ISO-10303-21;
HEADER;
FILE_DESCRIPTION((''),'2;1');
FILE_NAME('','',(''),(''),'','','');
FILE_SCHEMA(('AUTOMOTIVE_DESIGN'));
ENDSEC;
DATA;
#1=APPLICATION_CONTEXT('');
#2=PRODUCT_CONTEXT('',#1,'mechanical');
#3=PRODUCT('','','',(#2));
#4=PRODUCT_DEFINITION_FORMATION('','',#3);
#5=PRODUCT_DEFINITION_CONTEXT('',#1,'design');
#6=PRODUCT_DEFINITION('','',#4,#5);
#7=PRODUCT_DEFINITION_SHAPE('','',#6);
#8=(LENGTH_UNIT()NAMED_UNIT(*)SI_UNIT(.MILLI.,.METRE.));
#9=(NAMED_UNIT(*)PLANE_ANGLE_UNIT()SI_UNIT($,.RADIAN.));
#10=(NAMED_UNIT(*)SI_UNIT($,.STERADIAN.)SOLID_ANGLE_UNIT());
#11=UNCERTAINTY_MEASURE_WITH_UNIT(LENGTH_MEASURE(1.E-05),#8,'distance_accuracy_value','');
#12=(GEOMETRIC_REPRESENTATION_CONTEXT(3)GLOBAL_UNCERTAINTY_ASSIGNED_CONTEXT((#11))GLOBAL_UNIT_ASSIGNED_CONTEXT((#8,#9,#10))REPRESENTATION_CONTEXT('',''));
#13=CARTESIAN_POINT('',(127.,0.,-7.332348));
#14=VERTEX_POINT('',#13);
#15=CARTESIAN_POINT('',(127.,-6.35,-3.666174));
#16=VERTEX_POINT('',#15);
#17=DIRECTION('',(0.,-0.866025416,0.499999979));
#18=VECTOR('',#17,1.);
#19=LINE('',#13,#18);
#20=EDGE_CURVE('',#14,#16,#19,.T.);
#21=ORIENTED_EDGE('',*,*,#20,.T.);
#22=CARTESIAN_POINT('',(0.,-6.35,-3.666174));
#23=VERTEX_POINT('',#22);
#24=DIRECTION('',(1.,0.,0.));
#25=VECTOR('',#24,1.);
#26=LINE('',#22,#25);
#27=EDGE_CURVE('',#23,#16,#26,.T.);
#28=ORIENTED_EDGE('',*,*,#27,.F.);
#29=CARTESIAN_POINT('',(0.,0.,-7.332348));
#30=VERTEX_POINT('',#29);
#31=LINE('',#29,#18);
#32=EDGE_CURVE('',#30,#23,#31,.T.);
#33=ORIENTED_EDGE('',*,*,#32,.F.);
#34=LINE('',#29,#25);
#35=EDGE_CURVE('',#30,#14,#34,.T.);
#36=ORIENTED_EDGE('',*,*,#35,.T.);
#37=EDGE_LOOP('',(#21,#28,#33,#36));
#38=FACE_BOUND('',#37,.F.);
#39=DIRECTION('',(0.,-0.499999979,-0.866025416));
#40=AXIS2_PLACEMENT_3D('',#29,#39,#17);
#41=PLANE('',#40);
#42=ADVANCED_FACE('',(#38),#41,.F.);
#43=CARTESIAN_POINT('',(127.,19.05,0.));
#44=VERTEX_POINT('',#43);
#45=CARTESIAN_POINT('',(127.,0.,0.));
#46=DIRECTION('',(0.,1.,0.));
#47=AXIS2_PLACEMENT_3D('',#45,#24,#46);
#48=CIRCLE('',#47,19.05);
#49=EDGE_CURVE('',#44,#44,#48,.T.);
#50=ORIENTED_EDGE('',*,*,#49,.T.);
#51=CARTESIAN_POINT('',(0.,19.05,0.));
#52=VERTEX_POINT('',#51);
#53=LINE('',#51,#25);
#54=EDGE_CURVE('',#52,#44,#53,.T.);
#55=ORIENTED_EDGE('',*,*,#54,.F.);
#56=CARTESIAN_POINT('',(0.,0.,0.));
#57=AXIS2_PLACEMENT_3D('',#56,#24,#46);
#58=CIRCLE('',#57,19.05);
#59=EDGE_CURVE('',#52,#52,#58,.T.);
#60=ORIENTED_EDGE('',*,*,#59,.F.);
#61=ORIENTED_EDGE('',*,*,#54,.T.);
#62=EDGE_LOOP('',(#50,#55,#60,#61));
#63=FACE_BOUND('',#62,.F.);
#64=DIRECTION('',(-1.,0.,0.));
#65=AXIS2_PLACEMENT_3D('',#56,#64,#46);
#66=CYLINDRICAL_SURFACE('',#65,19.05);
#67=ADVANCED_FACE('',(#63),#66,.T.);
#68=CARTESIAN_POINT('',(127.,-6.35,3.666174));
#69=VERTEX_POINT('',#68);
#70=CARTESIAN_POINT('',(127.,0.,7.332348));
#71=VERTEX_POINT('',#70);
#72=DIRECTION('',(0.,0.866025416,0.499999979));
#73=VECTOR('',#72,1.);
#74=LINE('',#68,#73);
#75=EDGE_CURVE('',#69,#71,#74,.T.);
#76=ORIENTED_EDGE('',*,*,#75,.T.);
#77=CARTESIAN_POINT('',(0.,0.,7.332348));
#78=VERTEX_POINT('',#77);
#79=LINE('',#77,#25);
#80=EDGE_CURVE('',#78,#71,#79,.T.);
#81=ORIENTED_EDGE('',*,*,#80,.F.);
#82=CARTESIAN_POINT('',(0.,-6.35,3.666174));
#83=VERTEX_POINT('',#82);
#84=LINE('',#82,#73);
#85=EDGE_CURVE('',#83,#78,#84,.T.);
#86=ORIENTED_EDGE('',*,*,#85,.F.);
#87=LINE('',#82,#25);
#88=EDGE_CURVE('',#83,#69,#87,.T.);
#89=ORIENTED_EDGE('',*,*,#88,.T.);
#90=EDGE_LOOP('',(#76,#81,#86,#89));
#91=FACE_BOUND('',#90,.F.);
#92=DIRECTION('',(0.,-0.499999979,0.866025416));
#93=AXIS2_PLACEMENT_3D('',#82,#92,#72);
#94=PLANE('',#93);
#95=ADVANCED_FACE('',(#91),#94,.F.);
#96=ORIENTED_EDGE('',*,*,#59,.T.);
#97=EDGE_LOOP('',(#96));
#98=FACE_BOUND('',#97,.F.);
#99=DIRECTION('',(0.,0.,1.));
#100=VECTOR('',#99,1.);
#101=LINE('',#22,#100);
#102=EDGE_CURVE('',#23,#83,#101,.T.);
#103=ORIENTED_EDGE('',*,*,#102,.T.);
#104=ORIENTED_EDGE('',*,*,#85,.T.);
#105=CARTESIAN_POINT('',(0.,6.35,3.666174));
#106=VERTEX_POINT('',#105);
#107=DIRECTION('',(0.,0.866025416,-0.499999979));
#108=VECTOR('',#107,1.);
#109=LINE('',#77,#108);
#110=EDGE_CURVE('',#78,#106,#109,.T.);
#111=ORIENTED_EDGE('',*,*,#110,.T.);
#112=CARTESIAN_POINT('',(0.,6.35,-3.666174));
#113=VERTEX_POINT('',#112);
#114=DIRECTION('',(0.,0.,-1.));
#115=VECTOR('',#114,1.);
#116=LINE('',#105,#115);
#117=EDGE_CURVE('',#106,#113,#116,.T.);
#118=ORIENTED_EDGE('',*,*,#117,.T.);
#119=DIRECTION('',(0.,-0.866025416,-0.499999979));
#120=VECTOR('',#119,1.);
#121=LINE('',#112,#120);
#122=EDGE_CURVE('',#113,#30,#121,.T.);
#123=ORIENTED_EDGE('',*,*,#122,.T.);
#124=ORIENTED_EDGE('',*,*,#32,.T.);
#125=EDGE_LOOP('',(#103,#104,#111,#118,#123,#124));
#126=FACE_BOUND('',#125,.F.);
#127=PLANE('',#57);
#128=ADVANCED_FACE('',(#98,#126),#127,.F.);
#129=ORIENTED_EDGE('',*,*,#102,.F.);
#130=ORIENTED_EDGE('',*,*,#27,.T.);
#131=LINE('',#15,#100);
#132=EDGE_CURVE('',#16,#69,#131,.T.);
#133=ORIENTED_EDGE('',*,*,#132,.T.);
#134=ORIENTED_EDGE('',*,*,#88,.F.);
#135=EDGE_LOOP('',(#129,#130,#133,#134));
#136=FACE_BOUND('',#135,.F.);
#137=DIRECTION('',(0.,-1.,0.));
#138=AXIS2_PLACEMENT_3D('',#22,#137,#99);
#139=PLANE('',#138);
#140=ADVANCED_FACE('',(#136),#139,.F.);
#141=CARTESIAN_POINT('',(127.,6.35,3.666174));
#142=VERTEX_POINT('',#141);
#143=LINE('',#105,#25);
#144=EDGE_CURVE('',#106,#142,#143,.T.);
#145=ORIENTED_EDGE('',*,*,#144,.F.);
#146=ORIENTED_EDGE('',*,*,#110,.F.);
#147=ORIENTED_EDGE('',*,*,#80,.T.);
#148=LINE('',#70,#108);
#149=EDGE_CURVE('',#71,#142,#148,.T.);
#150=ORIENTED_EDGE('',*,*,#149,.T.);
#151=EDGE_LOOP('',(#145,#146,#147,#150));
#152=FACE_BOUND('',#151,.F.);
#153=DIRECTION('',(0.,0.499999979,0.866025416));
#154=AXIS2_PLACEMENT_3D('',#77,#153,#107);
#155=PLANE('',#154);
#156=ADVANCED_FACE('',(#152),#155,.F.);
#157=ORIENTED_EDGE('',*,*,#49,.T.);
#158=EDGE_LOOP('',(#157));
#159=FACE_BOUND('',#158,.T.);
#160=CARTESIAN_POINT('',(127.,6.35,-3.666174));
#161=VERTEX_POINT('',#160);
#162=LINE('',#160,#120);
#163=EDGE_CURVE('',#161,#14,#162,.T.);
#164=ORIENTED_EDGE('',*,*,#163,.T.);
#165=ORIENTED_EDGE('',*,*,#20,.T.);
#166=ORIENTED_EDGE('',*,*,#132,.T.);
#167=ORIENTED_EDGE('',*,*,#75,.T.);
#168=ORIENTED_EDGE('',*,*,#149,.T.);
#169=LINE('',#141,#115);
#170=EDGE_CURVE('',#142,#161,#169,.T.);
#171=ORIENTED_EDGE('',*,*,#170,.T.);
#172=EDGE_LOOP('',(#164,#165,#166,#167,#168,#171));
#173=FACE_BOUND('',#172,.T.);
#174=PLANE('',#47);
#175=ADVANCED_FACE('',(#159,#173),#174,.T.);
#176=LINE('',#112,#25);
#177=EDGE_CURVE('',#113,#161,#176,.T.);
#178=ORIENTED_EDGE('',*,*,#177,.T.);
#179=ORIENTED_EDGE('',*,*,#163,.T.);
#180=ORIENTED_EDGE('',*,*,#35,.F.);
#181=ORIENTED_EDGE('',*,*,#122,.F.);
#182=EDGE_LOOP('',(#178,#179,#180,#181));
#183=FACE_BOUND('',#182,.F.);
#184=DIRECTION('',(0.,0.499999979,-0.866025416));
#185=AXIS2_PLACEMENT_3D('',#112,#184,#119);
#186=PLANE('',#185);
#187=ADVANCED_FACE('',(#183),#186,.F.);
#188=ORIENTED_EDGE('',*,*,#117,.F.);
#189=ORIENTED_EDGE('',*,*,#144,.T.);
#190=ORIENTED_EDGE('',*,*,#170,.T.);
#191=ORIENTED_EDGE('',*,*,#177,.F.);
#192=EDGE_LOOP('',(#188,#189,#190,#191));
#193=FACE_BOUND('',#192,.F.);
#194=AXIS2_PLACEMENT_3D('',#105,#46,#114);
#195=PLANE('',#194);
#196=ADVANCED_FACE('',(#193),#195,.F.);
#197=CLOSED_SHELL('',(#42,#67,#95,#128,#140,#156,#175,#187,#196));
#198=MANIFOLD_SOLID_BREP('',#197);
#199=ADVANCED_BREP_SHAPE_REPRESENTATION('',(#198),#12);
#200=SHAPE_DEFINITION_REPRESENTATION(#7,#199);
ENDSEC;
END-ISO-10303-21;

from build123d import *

# Parameters (mm, degrees)
F0_R     = 19.05
F1_DEPTH = 127


with BuildPart() as f1:
    # F0 (on Right) → F1 (new body)
    with BuildSketch(Plane.YZ):
        Circle(F0_R)
        Polygon((-6.35, 3.666174), (0, 7.332348), (6.35, 3.666174), (6.35, -3.666174), (0, -7.332348), (-6.35, -3.666174), align=None, mode=Mode.SUBTRACT)
    extrude(amount=F1_DEPTH)


solid = f1.part
